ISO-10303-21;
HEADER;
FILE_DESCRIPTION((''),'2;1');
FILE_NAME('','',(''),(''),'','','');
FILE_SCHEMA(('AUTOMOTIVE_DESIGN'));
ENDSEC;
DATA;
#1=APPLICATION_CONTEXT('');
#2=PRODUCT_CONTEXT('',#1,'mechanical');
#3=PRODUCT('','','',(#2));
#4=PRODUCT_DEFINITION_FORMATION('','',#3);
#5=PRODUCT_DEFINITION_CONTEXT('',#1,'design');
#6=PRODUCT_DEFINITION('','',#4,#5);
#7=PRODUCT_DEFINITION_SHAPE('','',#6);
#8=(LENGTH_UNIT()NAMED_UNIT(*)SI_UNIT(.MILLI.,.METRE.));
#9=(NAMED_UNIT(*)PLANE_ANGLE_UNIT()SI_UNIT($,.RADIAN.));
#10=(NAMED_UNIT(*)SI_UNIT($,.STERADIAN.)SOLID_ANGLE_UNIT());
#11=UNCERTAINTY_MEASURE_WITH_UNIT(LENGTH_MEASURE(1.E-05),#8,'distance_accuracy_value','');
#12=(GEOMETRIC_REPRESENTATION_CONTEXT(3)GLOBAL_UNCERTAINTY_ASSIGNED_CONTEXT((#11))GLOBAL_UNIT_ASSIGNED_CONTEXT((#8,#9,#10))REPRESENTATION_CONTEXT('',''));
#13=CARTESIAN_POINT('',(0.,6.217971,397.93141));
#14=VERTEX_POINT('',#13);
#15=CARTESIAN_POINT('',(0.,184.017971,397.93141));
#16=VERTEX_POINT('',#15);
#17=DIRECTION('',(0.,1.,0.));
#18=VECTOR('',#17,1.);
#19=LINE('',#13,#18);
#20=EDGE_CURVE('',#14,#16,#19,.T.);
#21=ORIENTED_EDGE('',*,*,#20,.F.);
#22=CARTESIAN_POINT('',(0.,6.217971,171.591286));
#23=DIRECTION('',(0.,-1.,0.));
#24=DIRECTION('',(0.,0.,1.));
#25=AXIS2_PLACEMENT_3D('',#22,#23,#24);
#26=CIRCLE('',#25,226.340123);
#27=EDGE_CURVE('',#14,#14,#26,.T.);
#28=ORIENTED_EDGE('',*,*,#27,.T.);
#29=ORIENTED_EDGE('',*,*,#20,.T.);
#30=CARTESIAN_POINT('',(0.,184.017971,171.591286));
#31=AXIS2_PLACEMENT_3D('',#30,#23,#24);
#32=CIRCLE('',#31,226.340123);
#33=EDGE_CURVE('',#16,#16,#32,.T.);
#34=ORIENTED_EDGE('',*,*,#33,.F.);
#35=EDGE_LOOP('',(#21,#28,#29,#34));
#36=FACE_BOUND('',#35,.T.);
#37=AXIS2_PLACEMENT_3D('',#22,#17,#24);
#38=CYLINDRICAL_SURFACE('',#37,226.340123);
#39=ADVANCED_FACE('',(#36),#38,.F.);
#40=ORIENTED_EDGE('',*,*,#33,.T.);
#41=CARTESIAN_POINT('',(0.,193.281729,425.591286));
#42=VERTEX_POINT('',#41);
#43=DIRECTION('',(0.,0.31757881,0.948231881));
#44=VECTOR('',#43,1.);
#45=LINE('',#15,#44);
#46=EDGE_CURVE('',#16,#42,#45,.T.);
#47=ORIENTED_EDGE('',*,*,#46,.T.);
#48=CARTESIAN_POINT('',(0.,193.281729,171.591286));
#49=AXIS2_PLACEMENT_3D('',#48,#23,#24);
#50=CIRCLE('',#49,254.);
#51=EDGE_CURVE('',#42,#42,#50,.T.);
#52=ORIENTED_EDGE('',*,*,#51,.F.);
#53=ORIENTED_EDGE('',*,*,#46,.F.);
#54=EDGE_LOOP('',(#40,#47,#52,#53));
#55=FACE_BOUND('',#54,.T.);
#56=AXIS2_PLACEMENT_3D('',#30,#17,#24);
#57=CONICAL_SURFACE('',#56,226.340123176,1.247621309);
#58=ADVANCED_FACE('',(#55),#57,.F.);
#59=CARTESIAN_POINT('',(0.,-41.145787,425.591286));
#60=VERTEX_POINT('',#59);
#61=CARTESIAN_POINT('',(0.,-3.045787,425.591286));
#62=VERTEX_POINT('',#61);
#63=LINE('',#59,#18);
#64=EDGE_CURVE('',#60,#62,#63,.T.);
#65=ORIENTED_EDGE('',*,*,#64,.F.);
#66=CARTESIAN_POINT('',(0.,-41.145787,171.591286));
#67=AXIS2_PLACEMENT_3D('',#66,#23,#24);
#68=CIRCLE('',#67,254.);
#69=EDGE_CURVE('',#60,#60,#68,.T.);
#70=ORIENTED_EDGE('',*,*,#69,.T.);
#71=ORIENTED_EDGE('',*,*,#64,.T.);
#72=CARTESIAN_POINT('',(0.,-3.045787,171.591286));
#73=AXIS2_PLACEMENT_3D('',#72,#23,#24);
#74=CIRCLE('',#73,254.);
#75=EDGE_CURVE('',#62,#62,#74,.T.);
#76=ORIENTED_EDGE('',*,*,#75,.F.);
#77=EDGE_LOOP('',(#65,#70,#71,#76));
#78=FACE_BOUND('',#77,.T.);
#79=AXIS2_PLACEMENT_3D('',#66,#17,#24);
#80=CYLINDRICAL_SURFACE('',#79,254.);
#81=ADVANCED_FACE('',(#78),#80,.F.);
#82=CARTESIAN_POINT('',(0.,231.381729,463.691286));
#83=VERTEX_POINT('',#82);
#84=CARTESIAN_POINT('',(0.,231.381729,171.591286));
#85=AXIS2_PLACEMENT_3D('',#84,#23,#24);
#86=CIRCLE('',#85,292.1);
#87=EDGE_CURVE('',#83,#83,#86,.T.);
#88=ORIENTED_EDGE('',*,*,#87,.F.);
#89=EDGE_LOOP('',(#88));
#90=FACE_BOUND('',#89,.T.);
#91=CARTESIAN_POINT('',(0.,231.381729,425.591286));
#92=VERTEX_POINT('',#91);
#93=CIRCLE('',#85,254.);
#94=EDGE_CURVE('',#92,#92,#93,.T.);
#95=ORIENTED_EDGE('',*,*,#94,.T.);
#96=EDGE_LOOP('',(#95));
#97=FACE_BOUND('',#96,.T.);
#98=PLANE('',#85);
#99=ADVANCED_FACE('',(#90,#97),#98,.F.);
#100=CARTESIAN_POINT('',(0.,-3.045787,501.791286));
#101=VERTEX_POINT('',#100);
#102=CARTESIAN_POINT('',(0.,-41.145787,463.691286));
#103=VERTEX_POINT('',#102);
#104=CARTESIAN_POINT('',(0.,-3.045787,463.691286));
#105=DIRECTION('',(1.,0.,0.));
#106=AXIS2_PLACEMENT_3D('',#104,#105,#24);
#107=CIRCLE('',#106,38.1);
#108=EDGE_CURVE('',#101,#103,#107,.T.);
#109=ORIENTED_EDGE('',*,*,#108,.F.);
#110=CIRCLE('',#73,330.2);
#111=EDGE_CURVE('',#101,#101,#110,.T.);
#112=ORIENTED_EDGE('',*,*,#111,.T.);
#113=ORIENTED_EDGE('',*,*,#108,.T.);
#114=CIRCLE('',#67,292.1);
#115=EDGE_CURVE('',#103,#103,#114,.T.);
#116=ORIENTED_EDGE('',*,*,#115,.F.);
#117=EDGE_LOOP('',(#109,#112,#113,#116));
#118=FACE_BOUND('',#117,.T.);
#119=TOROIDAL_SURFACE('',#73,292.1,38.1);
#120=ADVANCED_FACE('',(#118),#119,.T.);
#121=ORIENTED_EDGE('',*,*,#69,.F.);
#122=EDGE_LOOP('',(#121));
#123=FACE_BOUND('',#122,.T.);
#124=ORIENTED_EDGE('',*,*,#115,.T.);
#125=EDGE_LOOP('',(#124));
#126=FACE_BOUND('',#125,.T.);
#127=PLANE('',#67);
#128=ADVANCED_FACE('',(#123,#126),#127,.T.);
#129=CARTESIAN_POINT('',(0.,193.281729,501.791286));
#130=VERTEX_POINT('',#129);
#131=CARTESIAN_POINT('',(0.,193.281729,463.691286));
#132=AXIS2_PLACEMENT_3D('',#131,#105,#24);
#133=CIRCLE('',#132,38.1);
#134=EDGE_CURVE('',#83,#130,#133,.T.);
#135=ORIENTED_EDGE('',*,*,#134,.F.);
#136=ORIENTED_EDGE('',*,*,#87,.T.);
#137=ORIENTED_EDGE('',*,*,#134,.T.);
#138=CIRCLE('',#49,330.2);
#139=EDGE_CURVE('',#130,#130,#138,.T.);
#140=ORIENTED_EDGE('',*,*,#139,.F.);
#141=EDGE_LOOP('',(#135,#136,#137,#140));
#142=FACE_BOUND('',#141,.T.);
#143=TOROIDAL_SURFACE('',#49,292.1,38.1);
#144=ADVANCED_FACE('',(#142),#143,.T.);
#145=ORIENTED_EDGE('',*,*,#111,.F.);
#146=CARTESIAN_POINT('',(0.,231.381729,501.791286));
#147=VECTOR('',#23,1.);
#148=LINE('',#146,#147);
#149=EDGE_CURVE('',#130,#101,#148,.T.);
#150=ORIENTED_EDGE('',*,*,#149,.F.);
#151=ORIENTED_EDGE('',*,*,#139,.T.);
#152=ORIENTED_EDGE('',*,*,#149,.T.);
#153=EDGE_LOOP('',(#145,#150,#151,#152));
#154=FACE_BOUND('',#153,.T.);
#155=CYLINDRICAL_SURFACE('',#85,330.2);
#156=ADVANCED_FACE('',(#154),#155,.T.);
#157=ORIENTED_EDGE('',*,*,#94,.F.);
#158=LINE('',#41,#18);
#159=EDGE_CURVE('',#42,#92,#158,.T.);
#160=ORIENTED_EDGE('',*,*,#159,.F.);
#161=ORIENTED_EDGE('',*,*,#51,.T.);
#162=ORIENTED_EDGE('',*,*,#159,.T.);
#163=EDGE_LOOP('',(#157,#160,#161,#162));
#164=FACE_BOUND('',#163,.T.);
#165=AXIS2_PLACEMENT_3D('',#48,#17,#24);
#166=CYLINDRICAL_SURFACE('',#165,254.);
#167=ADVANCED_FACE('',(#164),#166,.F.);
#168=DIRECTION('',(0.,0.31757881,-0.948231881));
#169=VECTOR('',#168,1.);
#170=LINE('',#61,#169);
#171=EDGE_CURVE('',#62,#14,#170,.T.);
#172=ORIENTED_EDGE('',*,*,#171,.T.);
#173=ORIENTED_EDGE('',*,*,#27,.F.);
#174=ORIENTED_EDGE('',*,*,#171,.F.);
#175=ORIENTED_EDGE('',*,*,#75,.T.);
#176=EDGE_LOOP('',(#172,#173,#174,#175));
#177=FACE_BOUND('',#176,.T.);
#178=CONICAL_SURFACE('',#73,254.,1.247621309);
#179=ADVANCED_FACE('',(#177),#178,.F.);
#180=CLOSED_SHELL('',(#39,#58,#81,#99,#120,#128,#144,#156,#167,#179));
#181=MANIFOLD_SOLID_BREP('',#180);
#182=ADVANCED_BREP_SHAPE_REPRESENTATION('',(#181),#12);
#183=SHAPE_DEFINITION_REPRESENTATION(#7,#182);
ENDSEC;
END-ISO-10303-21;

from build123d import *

# Parameters (mm, degrees)
F2_R = 38.1


with BuildPart() as f1:
    # F0 (on Right) → F1 (revolve)
    with BuildSketch(Plane.YZ):
        Polygon((-41.1457871523, 476.3912863712), (-41.1457871523, 425.5912863712), (-3.0457871523, 425.5912863712), (6.2179709348, 397.9314095477), (184.0179709348, 397.9314095477), (193.281729022, 425.5912863712), (231.381729022, 425.5912863712), (231.381729022, 476.3912863712), (231.381729022, 501.7912863712), (-41.1457871523, 501.7912863712), align=None)
    revolve(axis=Axis((0, -252.9666202111, 171.5912863712), (0, -1, 0)))

    # F2
    f2_edges = [f1.edges().sort_by_distance(p)[0] for p in [
        (0, -41.145787, -158.608714),
        (0, 231.381729, -158.608714),
    ]]
    fillet(f2_edges, radius=F2_R)


solid = f1.part
